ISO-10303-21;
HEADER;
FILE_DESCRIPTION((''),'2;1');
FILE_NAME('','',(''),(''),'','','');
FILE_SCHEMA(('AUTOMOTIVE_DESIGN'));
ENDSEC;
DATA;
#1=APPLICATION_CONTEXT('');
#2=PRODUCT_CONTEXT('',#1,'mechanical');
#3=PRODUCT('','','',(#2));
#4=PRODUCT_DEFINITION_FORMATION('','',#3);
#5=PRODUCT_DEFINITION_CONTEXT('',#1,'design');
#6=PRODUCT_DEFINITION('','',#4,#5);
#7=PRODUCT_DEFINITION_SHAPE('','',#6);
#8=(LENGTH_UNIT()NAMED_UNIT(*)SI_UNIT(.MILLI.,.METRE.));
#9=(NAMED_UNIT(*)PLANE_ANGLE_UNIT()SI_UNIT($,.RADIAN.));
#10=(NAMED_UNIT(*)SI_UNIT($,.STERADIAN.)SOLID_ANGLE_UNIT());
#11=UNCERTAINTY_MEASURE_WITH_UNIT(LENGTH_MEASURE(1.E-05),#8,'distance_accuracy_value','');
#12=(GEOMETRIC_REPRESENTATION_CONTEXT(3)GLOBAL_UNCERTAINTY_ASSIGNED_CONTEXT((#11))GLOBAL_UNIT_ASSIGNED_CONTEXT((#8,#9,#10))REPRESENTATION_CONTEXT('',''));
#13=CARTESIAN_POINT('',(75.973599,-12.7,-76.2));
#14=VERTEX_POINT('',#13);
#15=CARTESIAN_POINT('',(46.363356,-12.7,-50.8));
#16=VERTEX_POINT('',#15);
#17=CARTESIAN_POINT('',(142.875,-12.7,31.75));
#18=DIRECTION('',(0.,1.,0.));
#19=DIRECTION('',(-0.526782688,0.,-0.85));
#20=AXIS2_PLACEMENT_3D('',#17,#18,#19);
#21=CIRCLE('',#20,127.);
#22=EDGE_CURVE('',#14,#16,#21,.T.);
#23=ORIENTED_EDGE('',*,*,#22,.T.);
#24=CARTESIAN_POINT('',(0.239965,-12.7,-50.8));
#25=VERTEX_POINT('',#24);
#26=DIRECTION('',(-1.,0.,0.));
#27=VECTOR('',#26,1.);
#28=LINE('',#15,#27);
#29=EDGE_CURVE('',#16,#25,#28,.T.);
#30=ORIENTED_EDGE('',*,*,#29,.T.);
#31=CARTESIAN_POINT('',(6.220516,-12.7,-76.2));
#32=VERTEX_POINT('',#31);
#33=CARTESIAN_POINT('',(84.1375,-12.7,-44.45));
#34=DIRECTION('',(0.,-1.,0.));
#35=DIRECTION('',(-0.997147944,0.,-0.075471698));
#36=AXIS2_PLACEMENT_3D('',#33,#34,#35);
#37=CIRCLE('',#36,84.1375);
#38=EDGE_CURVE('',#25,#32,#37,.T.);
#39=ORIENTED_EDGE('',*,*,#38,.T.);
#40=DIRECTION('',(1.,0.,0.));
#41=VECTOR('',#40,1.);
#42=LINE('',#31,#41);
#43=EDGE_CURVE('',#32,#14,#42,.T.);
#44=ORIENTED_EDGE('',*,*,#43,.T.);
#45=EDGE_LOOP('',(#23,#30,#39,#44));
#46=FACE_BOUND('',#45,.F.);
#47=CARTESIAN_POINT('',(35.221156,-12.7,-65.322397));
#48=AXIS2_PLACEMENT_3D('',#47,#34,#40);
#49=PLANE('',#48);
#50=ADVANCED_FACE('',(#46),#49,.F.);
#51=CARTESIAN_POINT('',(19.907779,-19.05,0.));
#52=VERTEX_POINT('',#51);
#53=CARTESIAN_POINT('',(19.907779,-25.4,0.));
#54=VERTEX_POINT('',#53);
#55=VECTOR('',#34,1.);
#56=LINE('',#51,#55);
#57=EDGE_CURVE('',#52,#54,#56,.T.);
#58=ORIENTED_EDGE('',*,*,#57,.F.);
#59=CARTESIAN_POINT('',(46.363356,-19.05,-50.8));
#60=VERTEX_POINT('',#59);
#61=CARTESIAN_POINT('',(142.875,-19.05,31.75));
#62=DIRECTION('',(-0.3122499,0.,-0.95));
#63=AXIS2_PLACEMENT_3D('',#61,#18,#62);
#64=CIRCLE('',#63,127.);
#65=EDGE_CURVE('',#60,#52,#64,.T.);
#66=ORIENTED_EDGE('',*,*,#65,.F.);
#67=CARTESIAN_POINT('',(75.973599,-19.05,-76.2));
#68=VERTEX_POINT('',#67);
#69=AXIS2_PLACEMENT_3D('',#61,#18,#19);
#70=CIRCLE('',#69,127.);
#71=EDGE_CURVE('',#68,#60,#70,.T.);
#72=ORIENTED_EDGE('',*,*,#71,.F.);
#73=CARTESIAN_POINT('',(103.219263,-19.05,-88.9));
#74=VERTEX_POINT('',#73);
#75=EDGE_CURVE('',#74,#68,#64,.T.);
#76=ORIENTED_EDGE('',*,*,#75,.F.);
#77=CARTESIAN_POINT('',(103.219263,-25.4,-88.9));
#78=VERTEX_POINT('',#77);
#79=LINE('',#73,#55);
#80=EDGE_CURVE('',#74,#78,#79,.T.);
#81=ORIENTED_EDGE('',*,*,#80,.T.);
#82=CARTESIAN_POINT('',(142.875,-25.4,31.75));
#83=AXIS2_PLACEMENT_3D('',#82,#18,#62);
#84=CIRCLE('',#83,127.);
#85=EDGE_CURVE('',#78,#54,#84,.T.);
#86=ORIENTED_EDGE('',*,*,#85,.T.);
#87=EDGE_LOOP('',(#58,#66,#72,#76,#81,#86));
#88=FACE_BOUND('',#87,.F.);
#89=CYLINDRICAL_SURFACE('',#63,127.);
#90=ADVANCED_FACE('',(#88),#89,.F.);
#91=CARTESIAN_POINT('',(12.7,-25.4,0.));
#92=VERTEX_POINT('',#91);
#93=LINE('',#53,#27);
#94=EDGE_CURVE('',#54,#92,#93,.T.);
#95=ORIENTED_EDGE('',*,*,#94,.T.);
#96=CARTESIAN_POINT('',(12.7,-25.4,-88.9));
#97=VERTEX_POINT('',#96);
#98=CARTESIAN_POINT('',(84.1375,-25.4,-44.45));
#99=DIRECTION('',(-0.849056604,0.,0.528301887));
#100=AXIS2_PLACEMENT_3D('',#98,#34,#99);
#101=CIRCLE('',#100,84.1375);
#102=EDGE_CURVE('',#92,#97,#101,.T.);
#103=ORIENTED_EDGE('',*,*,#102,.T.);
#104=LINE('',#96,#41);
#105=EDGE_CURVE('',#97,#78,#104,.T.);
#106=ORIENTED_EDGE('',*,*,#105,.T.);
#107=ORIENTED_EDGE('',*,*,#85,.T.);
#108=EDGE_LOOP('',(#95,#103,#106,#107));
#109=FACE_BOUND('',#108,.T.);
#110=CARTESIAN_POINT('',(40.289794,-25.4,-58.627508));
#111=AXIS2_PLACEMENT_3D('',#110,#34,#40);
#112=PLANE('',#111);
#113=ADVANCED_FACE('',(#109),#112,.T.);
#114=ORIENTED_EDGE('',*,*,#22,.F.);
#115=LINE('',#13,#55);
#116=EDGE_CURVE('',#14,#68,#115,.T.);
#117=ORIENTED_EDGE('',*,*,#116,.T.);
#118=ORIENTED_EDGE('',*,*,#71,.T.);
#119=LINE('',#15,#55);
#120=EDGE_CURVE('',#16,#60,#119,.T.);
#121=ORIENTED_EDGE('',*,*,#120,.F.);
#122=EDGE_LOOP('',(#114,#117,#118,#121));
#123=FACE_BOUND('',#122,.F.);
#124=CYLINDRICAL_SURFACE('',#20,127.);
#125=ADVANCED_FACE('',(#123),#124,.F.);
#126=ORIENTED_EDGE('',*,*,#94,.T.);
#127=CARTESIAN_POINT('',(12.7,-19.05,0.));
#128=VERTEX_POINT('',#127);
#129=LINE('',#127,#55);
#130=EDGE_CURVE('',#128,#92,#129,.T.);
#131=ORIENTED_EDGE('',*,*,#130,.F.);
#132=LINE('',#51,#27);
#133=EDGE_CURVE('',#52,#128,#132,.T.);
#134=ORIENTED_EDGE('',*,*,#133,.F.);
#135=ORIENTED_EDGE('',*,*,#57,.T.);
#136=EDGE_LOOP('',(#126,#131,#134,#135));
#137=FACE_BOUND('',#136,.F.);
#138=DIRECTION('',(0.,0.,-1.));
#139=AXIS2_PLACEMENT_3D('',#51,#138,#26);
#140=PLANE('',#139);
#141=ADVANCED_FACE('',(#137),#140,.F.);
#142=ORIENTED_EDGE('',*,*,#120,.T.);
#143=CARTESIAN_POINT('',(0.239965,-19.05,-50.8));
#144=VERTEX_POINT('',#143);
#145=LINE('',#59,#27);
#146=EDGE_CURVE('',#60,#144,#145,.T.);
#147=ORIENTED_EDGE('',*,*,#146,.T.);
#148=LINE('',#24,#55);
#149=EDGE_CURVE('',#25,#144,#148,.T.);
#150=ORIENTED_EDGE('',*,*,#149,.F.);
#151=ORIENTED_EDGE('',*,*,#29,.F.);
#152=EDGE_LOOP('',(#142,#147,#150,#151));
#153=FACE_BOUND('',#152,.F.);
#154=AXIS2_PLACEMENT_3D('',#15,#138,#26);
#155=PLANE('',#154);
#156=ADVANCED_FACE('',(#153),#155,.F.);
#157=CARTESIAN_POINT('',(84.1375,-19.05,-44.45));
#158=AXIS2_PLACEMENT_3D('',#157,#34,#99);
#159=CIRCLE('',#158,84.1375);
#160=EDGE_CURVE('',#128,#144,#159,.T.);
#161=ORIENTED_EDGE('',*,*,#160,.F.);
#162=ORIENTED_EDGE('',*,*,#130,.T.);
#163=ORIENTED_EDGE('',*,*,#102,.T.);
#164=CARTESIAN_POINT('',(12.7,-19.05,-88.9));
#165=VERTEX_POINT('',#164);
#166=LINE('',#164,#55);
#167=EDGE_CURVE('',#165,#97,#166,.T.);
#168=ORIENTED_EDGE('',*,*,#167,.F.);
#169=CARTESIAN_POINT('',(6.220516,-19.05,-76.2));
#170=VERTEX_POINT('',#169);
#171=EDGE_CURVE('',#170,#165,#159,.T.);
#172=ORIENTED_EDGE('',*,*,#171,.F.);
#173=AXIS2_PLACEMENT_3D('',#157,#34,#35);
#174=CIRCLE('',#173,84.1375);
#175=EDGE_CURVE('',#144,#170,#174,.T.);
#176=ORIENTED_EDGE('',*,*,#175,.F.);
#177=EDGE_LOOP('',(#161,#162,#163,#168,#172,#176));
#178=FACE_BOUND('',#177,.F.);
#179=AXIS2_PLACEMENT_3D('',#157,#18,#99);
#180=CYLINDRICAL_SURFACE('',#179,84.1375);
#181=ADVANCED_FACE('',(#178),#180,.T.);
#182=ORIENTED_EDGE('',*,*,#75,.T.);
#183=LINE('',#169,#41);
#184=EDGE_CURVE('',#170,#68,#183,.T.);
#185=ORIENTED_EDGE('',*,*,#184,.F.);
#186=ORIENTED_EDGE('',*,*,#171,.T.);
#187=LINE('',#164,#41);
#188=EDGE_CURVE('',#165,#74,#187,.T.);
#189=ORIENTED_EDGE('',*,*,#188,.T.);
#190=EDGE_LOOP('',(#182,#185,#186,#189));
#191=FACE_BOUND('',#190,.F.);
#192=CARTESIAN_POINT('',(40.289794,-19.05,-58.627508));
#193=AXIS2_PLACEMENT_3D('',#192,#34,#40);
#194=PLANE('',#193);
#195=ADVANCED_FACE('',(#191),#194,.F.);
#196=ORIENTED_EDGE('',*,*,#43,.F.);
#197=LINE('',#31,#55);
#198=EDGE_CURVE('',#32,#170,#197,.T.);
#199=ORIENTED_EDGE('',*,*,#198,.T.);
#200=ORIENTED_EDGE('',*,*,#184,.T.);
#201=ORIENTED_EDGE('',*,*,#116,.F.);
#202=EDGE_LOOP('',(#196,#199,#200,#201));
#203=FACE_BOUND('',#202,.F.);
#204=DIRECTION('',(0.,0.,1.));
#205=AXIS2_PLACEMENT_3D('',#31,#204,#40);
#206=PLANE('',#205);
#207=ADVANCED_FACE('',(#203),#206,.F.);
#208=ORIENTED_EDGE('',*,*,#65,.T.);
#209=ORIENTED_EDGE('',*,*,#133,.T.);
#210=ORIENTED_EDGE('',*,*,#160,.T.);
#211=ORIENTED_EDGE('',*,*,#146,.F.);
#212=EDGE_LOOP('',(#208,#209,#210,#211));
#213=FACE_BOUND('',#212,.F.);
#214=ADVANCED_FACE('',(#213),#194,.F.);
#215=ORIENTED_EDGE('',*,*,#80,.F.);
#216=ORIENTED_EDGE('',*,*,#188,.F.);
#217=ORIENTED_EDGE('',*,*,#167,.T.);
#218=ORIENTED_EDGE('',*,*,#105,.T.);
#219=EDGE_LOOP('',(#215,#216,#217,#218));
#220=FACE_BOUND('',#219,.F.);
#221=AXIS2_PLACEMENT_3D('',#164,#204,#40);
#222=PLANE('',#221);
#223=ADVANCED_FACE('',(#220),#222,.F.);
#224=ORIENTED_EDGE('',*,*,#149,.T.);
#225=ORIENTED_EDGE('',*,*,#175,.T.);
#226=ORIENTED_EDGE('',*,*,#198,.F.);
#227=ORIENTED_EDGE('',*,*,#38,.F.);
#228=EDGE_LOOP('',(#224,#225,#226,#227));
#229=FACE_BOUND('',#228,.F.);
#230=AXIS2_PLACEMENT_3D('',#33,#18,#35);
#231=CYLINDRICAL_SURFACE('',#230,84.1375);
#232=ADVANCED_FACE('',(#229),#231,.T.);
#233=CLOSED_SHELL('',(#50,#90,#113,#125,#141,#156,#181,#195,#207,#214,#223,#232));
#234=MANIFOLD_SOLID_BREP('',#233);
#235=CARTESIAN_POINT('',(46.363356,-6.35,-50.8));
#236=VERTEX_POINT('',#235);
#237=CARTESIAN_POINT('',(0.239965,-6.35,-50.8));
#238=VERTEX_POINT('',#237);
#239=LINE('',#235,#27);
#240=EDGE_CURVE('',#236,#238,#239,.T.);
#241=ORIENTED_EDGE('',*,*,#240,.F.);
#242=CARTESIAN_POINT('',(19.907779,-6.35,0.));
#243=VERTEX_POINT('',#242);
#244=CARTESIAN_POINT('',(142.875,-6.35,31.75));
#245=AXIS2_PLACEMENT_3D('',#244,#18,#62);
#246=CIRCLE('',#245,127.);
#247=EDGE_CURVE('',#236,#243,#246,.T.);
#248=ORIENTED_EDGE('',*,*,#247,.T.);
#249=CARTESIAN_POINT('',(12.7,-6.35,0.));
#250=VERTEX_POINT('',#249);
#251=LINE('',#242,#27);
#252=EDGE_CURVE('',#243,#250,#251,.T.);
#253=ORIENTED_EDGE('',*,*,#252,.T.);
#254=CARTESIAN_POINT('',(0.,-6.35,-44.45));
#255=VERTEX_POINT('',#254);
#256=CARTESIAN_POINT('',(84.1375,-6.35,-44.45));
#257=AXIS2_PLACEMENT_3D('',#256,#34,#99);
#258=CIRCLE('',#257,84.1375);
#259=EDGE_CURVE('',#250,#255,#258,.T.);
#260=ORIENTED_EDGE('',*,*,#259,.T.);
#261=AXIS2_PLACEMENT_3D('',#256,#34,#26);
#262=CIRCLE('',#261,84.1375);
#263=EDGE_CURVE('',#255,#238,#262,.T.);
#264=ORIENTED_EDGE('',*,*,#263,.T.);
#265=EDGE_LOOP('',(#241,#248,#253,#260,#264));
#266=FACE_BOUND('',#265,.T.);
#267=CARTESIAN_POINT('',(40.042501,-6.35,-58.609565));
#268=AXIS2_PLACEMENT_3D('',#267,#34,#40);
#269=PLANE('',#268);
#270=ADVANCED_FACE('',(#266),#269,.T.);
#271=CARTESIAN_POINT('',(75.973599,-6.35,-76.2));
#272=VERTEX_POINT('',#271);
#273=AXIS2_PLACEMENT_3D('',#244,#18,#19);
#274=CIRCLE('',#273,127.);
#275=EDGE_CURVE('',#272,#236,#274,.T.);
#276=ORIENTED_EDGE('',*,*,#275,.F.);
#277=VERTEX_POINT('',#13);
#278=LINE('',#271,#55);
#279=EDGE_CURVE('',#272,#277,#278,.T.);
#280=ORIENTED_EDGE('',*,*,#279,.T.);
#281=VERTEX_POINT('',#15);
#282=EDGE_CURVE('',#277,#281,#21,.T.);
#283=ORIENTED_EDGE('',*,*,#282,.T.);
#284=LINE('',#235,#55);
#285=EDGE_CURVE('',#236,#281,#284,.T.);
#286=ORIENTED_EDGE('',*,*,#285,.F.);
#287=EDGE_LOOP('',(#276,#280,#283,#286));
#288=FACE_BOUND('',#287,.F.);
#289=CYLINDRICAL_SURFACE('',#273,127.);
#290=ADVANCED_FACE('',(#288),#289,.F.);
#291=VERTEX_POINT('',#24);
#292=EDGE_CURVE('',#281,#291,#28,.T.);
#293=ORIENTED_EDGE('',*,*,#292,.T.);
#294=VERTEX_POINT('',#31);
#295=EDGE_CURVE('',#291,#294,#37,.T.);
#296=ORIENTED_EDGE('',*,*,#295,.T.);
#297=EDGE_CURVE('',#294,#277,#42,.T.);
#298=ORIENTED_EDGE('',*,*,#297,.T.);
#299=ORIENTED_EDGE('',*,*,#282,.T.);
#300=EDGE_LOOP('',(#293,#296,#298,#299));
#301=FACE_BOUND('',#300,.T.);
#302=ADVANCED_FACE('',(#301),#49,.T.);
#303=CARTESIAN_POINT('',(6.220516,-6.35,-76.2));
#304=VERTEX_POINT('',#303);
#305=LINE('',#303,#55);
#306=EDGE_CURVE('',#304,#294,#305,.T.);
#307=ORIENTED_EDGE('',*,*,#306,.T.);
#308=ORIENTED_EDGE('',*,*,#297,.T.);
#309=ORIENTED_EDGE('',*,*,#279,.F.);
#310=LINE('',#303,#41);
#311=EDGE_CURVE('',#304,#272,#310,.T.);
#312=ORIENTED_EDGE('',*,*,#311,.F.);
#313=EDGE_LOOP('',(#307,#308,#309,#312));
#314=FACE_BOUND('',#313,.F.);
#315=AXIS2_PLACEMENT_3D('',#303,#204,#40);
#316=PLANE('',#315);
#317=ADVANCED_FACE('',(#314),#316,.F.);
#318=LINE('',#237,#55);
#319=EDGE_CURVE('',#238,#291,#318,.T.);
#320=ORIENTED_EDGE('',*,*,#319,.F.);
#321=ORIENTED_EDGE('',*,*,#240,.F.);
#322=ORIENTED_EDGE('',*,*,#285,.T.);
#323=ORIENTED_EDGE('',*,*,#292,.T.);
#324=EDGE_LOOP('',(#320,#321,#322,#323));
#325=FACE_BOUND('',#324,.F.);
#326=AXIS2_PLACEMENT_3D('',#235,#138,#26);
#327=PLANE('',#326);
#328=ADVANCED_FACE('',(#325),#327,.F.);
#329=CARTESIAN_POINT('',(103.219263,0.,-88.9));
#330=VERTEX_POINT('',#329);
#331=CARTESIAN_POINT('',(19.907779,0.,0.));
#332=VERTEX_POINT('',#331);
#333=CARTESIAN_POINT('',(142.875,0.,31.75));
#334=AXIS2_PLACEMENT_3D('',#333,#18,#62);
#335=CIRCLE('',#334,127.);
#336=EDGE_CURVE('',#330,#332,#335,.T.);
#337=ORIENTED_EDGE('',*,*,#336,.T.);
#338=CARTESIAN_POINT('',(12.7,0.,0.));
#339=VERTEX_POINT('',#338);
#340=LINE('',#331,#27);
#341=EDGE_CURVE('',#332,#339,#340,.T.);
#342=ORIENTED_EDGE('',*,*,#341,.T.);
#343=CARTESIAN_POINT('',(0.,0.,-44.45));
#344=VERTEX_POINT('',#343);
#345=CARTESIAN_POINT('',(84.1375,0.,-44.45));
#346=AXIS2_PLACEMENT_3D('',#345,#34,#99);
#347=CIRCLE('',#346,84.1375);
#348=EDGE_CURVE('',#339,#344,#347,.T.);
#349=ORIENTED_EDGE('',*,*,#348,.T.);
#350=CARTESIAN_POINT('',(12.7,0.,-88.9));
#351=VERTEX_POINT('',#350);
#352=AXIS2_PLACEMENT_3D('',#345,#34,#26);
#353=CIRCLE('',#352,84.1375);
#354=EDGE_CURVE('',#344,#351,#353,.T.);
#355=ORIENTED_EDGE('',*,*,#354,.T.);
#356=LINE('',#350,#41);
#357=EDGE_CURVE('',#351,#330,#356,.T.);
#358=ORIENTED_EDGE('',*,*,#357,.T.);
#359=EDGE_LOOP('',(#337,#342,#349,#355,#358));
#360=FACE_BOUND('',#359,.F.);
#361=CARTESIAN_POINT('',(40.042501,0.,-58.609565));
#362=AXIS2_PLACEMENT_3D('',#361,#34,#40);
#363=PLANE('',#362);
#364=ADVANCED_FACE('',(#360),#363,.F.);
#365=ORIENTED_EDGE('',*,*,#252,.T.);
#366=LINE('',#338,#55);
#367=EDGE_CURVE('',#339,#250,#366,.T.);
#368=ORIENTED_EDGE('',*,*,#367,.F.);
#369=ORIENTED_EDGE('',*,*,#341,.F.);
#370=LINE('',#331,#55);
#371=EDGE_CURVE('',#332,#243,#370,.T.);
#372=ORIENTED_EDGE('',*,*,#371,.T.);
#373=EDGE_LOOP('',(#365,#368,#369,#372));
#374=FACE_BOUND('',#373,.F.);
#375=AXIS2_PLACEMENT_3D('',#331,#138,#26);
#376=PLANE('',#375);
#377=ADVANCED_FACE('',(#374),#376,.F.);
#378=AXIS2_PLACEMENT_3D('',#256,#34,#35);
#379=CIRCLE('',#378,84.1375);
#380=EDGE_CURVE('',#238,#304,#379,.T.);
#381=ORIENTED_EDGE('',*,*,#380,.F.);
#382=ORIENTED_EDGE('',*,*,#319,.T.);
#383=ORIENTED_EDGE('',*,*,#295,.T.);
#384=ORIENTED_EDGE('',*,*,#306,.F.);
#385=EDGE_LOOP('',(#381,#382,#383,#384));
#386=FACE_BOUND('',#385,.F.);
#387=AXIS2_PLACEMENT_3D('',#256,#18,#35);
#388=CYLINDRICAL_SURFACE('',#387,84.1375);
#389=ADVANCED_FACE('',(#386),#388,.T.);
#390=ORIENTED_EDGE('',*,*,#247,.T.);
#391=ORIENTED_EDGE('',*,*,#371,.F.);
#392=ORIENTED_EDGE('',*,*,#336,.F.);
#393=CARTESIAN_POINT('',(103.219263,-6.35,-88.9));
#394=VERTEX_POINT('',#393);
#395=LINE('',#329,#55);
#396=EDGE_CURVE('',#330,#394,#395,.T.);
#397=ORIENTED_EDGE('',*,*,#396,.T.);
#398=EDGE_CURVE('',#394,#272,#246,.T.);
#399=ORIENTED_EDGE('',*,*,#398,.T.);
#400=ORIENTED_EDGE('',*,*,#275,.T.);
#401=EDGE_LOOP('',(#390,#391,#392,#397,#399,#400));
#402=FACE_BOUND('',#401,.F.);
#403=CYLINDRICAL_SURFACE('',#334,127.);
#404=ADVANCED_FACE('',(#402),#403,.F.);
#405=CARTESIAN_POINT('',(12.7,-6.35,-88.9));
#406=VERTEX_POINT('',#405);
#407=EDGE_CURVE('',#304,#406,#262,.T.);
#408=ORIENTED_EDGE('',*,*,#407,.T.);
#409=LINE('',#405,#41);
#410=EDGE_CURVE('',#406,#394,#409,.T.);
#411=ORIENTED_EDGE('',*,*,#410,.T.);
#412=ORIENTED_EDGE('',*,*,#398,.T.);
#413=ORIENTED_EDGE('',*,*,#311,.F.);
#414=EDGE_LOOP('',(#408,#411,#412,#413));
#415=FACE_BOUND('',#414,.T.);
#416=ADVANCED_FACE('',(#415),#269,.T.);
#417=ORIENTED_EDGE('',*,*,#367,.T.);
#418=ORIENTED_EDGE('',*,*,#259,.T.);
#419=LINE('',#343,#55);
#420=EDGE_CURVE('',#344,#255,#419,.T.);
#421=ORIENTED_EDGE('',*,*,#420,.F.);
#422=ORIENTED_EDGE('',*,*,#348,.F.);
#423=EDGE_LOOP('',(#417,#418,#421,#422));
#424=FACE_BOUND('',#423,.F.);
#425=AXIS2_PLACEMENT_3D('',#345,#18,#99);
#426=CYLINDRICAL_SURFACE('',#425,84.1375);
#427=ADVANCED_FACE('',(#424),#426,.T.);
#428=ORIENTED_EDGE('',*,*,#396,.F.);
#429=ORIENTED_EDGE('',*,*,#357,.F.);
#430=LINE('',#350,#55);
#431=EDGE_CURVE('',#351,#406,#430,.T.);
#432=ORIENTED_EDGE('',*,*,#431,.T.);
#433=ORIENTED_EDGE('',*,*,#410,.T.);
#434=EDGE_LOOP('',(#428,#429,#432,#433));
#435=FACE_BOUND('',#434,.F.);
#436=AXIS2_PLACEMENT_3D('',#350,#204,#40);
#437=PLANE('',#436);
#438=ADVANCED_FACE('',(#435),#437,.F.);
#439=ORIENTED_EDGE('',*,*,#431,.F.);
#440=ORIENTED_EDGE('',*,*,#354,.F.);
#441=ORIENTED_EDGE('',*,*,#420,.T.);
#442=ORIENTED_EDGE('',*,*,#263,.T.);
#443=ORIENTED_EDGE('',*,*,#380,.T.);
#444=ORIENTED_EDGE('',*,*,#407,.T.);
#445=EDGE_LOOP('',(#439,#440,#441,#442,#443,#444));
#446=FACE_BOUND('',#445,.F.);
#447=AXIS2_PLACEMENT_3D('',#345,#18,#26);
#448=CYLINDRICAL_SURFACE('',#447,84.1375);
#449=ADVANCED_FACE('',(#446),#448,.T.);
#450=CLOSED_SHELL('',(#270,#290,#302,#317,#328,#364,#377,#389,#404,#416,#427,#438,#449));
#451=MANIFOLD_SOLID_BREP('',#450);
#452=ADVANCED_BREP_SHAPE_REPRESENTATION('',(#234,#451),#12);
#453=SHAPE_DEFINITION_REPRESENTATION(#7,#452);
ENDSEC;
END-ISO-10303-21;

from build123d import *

# Parameters (mm, degrees)
F1_DEPTH = 6.35
F3_DEPTH = 6.35
F4_DEPTH = 6.35
F6_DEPTH = 6.35


with BuildPart() as f1:
    # F0 (on Front) → F1 (new body)
    with BuildSketch(Plane.XZ):
        with BuildLine():
            ThreePointArc((103.2192627102, -88.9), (50.2069949475, -55.0926211004), (19.9077787579, 0))
            Line((19.9077787579, 0), (12.7, 0))
            ThreePointArc((12.7, 0), (3.2372788554, -21.3356511015), (0, -44.45))
            ThreePointArc((0, -44.45), (3.2372788554, -67.5643488985), (12.7, -88.9))
            Line((12.7, -88.9), (103.2192627102, -88.9))
        make_face()
    extrude(amount=F1_DEPTH)

    # F2 (on face) → F3 (join)
    with BuildSketch(Plane.XZ.offset(6.35)):
        with BuildLine():
            ThreePointArc((0.2399648381, -50.8), (2.2395472881, -63.7332634128), (6.220515932, -76.2))
            Line((6.220515932, -76.2), (75.9735986694, -76.2))
            ThreePointArc((75.9735986694, -76.2), (60.1873595892, -64.6437452498), (46.3633556248, -50.8))
            Line((46.3633556248, -50.8), (0.2399648381, -50.8))
        make_face()
    extrude(amount=F3_DEPTH)


with BuildPart() as f4:
    # F4 (new): a face of the model
    f4_faces = [f1.part.faces().sort_by_distance(p)[0] for p in [
        (31.6809192164, -12.7, -64.3648284456),
    ]]
    extrude(f4_faces, amount=F4_DEPTH)

    # F5 (on face) → F6 (join)
    with BuildSketch(Plane.XZ.offset(19.05)):
        with BuildLine():
            Line((19.9077787579, 0), (12.7, 0))
            ThreePointArc((12.7, 0), (0, -44.45), (12.7, -88.9))
            Line((12.7, -88.9), (103.2192627102, -88.9))
            ThreePointArc((103.2192627102, -88.9), (50.2069949475, -55.0926211004), (19.9077787579, 0))
        make_face()
    extrude(amount=F6_DEPTH)


solid = Compound([f1.part, f4.part])
